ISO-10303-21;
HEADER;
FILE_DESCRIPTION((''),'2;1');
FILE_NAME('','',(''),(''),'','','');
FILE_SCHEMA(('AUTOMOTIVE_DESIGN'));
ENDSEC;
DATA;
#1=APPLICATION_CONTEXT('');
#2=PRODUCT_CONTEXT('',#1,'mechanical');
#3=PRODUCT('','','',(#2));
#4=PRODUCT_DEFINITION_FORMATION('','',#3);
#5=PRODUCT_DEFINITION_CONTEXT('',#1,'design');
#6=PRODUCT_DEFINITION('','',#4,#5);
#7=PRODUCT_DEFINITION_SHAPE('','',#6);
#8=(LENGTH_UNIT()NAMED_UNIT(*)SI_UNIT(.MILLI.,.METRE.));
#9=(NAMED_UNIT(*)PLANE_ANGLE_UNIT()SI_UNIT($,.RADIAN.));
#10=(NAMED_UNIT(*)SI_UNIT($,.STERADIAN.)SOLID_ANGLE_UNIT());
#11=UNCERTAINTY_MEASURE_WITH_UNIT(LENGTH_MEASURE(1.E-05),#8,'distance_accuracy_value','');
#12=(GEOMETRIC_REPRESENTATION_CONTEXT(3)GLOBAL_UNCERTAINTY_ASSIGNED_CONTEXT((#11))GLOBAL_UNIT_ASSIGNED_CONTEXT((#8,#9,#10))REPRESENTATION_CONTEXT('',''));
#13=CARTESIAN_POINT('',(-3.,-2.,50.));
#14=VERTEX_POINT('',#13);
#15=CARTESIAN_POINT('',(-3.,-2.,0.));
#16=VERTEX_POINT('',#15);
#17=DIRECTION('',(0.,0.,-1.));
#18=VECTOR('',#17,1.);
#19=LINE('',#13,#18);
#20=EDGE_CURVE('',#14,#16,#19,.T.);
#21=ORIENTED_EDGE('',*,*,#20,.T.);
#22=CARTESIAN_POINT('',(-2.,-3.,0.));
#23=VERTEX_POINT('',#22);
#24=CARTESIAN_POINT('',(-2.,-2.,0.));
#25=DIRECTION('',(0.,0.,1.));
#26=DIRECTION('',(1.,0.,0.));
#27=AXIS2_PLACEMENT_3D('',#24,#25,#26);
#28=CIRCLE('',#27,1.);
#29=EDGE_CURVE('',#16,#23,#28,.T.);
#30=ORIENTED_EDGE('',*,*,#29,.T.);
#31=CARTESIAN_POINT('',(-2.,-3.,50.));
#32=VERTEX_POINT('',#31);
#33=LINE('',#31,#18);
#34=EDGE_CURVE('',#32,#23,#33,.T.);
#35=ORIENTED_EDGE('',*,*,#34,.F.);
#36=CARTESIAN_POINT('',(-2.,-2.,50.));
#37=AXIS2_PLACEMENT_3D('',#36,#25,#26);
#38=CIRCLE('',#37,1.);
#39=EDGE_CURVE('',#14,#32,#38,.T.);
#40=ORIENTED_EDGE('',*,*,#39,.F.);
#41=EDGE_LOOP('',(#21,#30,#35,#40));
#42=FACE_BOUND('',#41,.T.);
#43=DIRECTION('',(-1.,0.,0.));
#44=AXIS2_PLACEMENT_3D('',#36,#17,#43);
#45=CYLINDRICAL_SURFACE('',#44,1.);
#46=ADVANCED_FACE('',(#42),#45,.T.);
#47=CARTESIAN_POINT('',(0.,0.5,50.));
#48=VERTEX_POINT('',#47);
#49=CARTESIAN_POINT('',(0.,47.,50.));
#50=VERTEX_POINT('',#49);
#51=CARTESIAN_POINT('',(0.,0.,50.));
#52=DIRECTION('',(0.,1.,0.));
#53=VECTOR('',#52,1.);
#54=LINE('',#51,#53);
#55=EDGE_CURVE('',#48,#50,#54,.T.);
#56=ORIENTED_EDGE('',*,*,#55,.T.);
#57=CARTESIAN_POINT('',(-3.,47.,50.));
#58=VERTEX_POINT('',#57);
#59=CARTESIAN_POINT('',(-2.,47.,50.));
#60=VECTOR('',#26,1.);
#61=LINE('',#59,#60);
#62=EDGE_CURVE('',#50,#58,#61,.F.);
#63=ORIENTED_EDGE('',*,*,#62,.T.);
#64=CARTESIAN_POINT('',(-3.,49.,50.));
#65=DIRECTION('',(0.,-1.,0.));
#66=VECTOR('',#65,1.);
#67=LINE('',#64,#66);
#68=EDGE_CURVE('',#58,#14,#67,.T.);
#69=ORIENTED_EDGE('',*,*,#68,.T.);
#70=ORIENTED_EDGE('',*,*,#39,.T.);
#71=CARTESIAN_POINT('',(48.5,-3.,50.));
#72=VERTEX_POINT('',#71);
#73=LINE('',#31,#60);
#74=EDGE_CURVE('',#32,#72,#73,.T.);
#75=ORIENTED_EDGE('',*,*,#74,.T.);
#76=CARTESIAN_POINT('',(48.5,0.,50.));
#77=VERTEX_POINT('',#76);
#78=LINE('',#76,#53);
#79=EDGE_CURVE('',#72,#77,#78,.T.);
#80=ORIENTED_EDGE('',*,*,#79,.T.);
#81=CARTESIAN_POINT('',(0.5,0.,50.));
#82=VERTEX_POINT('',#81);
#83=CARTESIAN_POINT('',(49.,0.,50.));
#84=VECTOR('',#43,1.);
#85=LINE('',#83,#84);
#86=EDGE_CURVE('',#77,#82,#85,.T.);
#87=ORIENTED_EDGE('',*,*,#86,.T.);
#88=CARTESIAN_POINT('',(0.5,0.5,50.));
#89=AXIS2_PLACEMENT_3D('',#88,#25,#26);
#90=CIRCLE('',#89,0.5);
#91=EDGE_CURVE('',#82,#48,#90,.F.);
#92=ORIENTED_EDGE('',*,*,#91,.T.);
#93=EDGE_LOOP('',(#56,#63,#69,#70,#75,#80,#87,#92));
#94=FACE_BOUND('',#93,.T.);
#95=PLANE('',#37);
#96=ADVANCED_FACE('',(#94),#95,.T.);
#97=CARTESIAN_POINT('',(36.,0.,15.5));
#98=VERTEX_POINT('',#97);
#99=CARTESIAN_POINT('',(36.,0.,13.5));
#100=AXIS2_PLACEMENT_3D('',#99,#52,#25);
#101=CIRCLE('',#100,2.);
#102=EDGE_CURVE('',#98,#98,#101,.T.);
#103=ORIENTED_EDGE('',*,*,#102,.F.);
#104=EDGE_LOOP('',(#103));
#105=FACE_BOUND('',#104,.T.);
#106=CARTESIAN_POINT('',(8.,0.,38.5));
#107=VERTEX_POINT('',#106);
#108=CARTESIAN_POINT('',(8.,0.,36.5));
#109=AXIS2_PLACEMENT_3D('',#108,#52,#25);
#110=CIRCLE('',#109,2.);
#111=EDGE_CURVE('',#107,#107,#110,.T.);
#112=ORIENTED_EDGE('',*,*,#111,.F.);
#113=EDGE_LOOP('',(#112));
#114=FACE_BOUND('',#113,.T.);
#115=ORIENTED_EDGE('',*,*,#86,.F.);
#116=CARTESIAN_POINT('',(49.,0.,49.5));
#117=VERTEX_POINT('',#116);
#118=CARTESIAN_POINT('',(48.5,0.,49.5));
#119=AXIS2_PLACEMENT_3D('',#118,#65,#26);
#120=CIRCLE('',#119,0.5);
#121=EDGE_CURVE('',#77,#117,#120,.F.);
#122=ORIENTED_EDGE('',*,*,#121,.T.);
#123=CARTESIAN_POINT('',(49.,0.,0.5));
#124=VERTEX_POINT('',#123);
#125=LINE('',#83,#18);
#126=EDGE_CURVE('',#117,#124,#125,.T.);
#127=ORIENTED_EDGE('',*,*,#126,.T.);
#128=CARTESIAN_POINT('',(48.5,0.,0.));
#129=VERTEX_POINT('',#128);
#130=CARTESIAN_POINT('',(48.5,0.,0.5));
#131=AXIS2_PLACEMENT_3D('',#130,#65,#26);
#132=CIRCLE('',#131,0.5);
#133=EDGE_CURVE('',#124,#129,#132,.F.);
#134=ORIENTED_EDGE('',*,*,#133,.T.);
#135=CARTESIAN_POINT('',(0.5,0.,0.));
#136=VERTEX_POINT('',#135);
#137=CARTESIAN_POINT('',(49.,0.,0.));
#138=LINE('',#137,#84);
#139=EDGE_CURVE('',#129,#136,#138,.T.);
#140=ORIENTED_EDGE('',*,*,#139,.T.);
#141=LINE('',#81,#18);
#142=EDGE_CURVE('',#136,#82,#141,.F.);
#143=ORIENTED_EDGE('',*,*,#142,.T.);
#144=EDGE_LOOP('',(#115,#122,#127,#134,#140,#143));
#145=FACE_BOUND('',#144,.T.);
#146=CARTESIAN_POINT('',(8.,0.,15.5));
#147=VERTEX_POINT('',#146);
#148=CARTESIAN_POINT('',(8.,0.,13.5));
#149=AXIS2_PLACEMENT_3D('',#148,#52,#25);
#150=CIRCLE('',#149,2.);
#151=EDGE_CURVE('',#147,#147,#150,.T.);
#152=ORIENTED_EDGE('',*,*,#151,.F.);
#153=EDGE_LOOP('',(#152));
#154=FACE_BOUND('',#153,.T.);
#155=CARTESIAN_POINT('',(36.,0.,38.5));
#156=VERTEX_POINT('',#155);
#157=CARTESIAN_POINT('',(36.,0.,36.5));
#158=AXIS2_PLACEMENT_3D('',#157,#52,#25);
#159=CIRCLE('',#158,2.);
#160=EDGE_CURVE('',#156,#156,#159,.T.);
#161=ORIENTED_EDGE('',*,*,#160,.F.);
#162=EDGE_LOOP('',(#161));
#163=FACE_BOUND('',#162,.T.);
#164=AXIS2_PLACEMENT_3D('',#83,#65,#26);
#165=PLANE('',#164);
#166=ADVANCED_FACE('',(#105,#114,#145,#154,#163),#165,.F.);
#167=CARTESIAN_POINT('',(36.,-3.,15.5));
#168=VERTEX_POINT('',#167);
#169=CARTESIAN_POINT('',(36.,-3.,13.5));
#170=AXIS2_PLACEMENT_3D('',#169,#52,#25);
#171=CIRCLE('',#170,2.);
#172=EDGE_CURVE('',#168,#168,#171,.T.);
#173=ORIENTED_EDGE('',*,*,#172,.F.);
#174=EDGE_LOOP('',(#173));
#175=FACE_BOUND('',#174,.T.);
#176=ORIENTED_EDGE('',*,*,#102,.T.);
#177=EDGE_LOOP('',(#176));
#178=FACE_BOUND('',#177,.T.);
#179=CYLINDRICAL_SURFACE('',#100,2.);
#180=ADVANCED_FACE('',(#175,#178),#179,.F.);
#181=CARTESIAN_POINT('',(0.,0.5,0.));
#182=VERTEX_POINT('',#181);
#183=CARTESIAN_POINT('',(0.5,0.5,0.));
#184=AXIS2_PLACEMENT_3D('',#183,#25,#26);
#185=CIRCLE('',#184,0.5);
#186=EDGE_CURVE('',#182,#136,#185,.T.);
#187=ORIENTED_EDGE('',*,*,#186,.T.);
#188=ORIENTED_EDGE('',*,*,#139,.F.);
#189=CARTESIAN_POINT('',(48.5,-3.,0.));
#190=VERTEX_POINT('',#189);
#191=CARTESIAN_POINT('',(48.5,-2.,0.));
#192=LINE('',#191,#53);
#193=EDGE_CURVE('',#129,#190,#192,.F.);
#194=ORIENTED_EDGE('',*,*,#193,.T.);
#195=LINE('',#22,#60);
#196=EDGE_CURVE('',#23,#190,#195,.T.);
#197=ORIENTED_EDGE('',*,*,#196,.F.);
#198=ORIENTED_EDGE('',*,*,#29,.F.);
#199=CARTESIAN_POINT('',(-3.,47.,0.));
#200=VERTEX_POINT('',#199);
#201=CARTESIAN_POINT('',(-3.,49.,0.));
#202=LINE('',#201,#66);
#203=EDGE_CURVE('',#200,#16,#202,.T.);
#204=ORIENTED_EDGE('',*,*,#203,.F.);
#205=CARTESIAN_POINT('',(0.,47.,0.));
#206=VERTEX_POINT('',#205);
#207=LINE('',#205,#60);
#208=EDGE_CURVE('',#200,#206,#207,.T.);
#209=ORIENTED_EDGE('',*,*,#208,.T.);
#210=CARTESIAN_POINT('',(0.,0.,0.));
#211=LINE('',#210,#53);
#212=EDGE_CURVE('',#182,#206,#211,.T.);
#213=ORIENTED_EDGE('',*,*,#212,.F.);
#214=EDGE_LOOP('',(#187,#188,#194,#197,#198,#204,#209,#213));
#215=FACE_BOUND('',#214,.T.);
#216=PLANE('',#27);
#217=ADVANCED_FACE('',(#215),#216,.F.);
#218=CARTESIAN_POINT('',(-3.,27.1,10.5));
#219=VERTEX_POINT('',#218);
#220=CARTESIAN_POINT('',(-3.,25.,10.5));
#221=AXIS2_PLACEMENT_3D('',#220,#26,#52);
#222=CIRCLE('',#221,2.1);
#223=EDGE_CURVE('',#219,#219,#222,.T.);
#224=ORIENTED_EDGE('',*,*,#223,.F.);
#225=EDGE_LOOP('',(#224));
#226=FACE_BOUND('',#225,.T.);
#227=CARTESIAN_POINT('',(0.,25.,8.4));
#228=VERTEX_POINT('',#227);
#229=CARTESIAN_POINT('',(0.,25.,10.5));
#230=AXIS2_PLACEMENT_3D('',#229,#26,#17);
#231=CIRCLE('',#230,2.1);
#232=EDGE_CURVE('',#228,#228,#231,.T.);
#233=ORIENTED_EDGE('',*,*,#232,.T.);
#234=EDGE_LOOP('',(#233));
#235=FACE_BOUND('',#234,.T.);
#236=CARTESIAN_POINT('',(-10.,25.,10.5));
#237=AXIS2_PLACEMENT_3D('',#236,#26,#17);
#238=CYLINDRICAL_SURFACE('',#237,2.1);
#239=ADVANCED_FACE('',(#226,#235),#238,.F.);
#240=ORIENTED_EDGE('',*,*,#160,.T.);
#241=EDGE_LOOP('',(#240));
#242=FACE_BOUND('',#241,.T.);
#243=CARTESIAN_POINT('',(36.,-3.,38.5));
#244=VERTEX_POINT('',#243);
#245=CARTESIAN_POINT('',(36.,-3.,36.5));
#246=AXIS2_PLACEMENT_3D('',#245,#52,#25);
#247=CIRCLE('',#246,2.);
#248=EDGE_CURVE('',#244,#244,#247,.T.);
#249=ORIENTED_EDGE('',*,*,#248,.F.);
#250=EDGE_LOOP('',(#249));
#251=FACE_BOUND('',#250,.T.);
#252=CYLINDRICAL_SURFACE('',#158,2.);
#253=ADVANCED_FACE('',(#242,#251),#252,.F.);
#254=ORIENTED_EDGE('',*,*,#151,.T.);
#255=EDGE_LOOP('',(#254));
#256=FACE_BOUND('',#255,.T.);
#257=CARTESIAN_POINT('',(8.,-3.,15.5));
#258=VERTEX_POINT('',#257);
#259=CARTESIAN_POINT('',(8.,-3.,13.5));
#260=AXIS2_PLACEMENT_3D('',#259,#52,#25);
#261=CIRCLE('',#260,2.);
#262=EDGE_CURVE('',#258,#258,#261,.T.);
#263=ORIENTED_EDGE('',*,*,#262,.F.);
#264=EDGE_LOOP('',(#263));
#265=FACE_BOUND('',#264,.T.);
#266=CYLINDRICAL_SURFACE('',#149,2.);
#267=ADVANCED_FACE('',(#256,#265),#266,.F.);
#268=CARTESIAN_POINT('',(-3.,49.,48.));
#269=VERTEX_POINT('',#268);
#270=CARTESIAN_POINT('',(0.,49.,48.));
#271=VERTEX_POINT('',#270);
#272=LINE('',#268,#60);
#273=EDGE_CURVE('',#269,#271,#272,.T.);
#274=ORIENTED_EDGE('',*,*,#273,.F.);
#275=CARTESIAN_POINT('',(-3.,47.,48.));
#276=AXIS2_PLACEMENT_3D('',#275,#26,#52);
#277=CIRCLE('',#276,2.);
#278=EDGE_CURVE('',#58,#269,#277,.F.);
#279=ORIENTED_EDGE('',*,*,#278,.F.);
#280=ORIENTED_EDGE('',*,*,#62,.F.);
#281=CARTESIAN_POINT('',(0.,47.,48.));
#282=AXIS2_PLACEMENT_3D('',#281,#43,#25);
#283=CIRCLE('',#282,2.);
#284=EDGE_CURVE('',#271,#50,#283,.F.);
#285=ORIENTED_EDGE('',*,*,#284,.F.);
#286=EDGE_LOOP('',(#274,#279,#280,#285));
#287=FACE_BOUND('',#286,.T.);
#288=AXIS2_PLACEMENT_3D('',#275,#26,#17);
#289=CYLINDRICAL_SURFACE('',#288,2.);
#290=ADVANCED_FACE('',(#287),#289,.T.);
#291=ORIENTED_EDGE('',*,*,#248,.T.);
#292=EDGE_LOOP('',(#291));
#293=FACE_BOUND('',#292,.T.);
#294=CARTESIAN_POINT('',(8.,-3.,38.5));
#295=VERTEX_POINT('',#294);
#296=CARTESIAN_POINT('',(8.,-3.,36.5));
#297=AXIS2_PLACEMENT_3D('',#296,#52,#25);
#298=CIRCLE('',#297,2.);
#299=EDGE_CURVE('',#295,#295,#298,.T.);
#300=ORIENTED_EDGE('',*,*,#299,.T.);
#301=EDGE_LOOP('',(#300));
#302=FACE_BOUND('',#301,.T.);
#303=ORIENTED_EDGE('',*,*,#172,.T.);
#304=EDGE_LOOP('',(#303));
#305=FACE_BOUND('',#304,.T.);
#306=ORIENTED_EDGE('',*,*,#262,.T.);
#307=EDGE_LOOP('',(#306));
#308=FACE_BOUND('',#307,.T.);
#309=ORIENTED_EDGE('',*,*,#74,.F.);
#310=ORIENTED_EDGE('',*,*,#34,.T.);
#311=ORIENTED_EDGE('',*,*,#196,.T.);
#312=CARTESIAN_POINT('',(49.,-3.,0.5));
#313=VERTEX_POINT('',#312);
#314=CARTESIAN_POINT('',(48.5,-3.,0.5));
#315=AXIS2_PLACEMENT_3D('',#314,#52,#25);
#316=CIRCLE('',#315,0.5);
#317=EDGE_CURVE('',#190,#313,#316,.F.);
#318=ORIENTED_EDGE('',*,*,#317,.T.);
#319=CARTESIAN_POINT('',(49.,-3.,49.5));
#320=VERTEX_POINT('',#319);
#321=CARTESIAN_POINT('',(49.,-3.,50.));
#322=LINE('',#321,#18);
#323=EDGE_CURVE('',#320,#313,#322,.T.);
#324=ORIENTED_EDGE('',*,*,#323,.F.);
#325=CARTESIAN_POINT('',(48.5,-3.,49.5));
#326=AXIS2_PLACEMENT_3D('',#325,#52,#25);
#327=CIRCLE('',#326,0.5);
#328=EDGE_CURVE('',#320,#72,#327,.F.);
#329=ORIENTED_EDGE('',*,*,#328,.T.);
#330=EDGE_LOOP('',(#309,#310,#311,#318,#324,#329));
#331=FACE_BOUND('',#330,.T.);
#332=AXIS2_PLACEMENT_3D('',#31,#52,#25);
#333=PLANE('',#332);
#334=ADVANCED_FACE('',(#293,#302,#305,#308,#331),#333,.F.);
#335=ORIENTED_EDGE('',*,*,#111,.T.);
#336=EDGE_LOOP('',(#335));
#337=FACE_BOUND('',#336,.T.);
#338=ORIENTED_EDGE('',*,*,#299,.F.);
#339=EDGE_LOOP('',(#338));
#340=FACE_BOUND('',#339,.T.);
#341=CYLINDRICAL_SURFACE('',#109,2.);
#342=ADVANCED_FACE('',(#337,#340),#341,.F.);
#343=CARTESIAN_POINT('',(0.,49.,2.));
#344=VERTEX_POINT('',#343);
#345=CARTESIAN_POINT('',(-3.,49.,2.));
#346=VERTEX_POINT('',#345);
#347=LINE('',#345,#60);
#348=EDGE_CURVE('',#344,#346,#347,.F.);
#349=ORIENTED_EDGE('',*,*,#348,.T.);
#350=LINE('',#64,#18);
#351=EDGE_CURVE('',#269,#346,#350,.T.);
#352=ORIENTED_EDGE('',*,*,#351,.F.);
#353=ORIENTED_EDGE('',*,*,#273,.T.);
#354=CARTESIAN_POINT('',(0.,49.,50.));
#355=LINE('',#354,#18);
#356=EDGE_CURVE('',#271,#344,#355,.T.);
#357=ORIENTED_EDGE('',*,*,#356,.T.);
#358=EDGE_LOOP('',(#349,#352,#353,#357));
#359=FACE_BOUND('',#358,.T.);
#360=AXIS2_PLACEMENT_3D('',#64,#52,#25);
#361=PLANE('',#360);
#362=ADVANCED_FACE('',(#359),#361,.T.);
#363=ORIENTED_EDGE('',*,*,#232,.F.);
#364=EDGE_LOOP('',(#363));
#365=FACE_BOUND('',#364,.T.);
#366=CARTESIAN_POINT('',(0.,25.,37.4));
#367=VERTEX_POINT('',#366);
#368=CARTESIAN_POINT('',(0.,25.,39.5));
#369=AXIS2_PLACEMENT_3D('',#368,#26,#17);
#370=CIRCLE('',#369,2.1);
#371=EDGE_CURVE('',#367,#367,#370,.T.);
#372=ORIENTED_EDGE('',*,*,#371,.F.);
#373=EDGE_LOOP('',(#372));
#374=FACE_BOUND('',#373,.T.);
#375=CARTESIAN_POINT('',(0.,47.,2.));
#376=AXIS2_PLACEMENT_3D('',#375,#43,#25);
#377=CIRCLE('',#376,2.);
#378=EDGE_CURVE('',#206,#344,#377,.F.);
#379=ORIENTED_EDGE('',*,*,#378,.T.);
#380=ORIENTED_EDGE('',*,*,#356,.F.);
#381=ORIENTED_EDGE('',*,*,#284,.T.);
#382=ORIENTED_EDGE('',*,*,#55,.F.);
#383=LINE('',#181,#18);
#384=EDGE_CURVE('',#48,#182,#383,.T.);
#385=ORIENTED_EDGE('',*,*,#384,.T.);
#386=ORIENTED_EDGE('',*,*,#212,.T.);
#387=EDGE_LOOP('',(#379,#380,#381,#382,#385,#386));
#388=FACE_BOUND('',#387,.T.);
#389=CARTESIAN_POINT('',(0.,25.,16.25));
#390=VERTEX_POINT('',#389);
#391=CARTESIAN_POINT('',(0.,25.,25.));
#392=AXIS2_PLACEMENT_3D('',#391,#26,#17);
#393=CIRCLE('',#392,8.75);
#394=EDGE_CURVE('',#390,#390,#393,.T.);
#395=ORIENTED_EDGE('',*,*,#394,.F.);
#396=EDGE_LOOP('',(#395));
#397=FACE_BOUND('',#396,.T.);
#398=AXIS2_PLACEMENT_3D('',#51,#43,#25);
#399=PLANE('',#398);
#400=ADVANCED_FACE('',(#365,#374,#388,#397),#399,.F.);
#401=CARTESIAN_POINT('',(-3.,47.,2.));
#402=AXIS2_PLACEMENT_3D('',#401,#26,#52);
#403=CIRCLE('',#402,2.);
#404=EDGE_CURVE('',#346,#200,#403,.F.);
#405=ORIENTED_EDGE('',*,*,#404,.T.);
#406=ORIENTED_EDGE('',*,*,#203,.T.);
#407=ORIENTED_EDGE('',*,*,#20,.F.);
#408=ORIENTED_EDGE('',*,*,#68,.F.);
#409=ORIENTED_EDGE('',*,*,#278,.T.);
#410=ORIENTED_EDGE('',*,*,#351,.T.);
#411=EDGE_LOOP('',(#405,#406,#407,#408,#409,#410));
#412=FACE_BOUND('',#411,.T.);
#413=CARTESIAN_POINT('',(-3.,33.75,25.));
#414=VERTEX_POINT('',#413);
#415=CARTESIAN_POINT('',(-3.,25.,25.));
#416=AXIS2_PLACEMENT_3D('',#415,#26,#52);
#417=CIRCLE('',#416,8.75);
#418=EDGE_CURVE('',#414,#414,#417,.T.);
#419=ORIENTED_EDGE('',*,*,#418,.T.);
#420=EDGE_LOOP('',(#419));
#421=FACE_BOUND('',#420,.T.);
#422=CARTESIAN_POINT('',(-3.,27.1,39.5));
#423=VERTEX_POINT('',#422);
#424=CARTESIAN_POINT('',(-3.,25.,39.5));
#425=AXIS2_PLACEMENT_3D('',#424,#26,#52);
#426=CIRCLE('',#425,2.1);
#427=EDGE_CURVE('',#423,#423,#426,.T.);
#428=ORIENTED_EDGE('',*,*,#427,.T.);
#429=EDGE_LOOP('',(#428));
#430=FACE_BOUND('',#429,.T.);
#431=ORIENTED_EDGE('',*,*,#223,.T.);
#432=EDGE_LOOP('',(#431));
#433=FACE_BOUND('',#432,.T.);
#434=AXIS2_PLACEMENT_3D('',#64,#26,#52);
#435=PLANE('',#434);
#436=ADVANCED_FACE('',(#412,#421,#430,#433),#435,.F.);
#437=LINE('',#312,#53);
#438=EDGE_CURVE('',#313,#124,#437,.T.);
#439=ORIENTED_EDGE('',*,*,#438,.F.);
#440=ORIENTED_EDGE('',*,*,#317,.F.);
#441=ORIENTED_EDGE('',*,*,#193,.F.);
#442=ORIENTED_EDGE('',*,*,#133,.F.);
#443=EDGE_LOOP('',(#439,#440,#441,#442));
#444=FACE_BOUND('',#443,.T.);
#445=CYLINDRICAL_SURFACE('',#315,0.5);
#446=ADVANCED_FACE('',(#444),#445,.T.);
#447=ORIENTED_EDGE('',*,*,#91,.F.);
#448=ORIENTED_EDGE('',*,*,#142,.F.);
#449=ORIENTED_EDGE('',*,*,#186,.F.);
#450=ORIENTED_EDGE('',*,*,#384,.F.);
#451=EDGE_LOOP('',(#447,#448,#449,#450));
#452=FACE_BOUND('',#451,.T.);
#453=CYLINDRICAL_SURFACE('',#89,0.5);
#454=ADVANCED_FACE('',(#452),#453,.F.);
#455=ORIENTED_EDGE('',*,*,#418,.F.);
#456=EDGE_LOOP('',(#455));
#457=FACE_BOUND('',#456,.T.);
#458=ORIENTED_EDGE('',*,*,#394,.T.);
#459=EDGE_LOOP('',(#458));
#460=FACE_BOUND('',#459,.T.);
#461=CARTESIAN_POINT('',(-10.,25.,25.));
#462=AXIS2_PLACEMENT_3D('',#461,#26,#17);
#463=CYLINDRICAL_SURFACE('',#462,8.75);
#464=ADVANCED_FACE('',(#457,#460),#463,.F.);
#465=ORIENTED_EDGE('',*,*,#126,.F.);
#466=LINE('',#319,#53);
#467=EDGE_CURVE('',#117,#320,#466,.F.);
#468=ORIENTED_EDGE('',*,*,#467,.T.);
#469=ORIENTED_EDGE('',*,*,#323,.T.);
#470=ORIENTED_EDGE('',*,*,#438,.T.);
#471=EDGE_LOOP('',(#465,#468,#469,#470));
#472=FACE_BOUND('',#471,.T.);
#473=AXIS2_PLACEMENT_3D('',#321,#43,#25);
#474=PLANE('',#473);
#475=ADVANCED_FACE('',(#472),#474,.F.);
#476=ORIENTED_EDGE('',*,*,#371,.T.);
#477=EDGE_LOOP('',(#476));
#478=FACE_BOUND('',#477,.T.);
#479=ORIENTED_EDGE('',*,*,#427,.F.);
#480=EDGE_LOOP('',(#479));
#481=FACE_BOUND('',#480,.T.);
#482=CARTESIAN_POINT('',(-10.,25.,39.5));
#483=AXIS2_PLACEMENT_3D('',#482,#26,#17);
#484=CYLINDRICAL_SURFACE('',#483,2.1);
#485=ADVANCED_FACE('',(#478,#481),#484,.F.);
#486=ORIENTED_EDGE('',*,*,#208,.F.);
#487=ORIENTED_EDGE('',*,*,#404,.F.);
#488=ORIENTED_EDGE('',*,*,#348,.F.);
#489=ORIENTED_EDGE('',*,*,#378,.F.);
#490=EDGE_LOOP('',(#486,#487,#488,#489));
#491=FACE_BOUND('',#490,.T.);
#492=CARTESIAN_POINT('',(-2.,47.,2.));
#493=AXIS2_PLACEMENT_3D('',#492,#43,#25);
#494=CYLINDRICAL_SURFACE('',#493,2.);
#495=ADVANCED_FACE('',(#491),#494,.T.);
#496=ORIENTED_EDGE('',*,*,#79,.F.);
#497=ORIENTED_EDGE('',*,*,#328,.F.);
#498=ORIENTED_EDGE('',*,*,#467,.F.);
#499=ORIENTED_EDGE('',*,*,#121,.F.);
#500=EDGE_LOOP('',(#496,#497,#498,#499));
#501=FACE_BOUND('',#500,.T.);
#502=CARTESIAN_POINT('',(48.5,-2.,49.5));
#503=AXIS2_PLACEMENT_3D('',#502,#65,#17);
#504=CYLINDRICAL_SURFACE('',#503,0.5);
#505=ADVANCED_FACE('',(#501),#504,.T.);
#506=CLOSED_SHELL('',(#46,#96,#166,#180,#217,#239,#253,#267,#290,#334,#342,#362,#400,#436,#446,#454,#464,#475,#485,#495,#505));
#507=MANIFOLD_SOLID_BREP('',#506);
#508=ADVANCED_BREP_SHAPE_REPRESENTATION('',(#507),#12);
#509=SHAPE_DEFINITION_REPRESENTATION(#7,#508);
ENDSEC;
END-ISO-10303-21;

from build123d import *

# Parameters (mm, degrees)
BOSS_EXTRUDE1_DEPTH            = 50
SKETCH2_R                      = 8.75
SKETCH2_R_2                    = 2.1
CUT_EXTRUDE1_DEPTH             = 10
FILLET1_R                      = 2
FILLET2_R                      = 0.5
FILLET3_R                      = 0.5
HOLE_FOR_M4_300_SC_NUTS_SP_1_D = 4


with BuildPart() as part:
    # Sketch1 → Boss-Extrude1 (new body)
    with BuildSketch(Plane.XY):
        with BuildLine():
            Line((0, 0), (0, 49))
            Line((0, 49), (-3, 49))
            Line((-3, 49), (-3, -2))
            ThreePointArc((-3, -2), (-2.707106781, -2.707106781), (-2, -3))
            Line((-2, -3), (49, -3))
            Line((49, -3), (49, 0))
            Line((49, 0), (0, 0))
        make_face()
    extrude(amount=BOSS_EXTRUDE1_DEPTH)

    # Sketch2 → Cut-Extrude1 (cut)
    with BuildSketch(Plane(origin=(0, 0, 0), x_dir=(0, 0, -1), z_dir=(1, 0, 0))):
        with Locations((-25, 25)):
            Circle(SKETCH2_R)
        with Locations((-10.5, 25)):
            Circle(SKETCH2_R_2)
        with Locations((-39.5, 25)):
            Circle(SKETCH2_R_2)
    extrude(amount=-CUT_EXTRUDE1_DEPTH, mode=Mode.SUBTRACT)

    # Fillet1
    fillet1_edges = [part.edges().sort_by_distance(p)[0] for p in [
        (-1.5, 49, 50),
        (-1.5, 49, 0),
    ]]
    fillet(fillet1_edges, radius=FILLET1_R)

    # Fillet2
    fillet2_edges = [part.edges().sort_by_distance(p)[0] for p in [
        (0, 0, 25),
    ]]
    fillet(fillet2_edges, radius=FILLET2_R)

    # Fillet3
    fillet3_edges = [part.edges().sort_by_distance(p)[0] for p in [
        (49, -1.5, 50),
        (49, -1.5, 0),
    ]]
    fillet(fillet3_edges, radius=FILLET3_R)

    # Hole for M4 300® SC Nuts (SP)1 (through all)
    with Locations(Plane(origin=(0, 0, 0), x_dir=(1, 0, 0), z_dir=(0, 1, 0))):
        with Locations((36, -13.5), (8, -13.5), (36, -36.5), (8, -36.5)):
            Hole(HOLE_FOR_M4_300_SC_NUTS_SP_1_D / 2)


solid = part.part
